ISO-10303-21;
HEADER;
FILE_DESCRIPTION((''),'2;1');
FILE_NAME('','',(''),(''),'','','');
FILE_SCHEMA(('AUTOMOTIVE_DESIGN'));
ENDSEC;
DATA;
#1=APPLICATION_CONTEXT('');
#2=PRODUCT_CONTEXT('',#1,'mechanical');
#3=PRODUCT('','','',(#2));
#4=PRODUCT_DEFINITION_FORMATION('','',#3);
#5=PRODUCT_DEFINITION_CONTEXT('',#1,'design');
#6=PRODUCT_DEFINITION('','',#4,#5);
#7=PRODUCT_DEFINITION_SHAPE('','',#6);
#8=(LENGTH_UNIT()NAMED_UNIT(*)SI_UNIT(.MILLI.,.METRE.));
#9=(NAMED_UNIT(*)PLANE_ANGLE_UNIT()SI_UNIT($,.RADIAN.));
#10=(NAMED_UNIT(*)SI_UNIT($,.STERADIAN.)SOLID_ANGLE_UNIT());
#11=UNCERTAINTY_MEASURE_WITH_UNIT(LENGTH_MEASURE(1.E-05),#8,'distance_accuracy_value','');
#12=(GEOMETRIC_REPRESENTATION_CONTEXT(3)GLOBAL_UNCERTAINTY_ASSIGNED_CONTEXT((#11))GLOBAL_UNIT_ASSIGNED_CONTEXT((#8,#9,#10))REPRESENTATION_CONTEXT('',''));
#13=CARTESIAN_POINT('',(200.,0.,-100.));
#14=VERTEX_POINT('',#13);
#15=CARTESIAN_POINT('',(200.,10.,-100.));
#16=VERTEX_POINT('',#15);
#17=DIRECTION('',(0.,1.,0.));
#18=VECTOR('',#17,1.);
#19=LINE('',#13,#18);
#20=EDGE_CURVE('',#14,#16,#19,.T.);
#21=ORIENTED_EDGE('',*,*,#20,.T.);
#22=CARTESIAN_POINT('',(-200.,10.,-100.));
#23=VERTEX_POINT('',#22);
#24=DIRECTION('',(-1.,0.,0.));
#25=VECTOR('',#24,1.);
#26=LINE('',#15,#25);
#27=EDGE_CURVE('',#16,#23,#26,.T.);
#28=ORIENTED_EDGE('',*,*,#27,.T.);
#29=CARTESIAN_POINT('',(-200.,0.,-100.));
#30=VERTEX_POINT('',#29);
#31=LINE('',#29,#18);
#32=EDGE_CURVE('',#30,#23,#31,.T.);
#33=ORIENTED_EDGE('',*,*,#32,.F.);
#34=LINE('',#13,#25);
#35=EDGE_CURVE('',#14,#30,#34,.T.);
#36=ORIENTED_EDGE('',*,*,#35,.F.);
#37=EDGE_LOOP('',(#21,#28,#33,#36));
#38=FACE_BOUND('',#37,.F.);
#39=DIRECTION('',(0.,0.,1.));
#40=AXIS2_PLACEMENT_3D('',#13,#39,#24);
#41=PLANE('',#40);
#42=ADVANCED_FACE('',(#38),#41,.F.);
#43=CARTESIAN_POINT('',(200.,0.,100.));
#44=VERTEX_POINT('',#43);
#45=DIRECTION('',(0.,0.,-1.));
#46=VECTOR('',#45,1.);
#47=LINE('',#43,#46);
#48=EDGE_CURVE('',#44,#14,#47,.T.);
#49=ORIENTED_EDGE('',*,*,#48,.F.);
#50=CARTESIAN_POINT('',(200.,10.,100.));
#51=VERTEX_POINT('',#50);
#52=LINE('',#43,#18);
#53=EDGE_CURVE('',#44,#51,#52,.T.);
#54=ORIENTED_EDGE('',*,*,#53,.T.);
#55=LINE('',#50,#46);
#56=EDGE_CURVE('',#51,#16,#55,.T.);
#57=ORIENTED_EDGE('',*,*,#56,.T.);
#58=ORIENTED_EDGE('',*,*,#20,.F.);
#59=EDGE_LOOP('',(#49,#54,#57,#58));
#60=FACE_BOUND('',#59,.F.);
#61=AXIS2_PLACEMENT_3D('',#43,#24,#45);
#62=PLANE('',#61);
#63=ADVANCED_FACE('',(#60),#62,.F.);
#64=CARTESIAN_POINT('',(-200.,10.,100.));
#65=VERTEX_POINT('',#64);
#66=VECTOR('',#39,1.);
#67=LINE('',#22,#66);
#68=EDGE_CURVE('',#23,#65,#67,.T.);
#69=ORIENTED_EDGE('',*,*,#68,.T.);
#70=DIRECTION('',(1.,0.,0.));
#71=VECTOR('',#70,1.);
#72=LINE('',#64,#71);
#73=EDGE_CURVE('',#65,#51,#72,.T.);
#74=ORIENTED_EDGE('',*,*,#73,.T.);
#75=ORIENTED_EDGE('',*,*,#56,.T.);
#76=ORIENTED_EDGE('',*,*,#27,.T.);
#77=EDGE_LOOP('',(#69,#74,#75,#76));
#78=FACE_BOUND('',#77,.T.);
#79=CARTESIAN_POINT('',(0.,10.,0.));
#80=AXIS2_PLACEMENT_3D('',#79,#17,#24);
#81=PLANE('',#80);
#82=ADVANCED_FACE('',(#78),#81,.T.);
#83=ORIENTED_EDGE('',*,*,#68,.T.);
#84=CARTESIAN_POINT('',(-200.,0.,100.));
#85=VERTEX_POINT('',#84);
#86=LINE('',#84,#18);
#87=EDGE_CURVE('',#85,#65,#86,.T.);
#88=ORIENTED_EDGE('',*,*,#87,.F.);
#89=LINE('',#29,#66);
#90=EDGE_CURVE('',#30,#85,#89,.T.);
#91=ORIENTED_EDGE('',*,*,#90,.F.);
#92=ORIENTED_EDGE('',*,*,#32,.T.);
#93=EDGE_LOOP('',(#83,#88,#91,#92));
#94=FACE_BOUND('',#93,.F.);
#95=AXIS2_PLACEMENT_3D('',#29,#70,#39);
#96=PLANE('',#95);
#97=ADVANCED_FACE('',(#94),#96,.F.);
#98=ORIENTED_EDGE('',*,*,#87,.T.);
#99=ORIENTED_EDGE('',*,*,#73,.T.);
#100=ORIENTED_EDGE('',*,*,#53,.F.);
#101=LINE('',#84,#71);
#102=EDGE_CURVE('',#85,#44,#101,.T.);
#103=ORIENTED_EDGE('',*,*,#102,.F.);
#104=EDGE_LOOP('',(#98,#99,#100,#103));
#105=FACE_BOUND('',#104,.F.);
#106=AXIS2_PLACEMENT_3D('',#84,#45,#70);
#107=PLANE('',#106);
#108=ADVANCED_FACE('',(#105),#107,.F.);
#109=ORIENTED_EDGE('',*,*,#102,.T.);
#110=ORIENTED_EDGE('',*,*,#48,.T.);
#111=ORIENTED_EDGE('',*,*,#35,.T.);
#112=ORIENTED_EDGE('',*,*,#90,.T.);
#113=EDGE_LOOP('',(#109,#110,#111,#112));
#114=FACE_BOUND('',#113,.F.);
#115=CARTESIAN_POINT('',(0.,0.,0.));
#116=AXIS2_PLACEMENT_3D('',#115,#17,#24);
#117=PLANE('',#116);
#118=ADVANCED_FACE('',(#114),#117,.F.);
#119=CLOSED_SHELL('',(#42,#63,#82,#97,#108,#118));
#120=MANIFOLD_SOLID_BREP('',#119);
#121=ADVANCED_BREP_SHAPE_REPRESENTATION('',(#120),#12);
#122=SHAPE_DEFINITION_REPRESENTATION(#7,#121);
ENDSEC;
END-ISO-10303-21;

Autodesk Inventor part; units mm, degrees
ref_plane "YZ Plane" through (0, 0, 0) normal (1, 0, 0) x (0, 1, 0)
ref_plane "XZ Plane" through (0, 0, 0) normal (0, 1, 0) x (-1, 0, 0)
ref_plane "XY Plane" through (0, 0, 0) normal (0, 0, 1) x (1, 0, 0)
sketch "Sketch1" plane through (0, 0, 0) normal (0, 1, 0) x (-1, 0, 0)
  line L0 (-200, -100) -> (200, -100)
  line L1 (200, -100) -> (200, 100)
  line L2 (200, 100) -> (-200, 100)
  line L3 (-200, 100) -> (-200, -100)
  line L4 (-200, -100) -> (200, 100) construction
  line L5 (200, -100) -> (-200, 100) construction
  point P0 (0, 0)
  dimension "d0" = 400
  dimension "d1" = 200
extrude "Extrusion1" add sketch "Sketch1" along normal blind 10
properties part number "baseboard"
